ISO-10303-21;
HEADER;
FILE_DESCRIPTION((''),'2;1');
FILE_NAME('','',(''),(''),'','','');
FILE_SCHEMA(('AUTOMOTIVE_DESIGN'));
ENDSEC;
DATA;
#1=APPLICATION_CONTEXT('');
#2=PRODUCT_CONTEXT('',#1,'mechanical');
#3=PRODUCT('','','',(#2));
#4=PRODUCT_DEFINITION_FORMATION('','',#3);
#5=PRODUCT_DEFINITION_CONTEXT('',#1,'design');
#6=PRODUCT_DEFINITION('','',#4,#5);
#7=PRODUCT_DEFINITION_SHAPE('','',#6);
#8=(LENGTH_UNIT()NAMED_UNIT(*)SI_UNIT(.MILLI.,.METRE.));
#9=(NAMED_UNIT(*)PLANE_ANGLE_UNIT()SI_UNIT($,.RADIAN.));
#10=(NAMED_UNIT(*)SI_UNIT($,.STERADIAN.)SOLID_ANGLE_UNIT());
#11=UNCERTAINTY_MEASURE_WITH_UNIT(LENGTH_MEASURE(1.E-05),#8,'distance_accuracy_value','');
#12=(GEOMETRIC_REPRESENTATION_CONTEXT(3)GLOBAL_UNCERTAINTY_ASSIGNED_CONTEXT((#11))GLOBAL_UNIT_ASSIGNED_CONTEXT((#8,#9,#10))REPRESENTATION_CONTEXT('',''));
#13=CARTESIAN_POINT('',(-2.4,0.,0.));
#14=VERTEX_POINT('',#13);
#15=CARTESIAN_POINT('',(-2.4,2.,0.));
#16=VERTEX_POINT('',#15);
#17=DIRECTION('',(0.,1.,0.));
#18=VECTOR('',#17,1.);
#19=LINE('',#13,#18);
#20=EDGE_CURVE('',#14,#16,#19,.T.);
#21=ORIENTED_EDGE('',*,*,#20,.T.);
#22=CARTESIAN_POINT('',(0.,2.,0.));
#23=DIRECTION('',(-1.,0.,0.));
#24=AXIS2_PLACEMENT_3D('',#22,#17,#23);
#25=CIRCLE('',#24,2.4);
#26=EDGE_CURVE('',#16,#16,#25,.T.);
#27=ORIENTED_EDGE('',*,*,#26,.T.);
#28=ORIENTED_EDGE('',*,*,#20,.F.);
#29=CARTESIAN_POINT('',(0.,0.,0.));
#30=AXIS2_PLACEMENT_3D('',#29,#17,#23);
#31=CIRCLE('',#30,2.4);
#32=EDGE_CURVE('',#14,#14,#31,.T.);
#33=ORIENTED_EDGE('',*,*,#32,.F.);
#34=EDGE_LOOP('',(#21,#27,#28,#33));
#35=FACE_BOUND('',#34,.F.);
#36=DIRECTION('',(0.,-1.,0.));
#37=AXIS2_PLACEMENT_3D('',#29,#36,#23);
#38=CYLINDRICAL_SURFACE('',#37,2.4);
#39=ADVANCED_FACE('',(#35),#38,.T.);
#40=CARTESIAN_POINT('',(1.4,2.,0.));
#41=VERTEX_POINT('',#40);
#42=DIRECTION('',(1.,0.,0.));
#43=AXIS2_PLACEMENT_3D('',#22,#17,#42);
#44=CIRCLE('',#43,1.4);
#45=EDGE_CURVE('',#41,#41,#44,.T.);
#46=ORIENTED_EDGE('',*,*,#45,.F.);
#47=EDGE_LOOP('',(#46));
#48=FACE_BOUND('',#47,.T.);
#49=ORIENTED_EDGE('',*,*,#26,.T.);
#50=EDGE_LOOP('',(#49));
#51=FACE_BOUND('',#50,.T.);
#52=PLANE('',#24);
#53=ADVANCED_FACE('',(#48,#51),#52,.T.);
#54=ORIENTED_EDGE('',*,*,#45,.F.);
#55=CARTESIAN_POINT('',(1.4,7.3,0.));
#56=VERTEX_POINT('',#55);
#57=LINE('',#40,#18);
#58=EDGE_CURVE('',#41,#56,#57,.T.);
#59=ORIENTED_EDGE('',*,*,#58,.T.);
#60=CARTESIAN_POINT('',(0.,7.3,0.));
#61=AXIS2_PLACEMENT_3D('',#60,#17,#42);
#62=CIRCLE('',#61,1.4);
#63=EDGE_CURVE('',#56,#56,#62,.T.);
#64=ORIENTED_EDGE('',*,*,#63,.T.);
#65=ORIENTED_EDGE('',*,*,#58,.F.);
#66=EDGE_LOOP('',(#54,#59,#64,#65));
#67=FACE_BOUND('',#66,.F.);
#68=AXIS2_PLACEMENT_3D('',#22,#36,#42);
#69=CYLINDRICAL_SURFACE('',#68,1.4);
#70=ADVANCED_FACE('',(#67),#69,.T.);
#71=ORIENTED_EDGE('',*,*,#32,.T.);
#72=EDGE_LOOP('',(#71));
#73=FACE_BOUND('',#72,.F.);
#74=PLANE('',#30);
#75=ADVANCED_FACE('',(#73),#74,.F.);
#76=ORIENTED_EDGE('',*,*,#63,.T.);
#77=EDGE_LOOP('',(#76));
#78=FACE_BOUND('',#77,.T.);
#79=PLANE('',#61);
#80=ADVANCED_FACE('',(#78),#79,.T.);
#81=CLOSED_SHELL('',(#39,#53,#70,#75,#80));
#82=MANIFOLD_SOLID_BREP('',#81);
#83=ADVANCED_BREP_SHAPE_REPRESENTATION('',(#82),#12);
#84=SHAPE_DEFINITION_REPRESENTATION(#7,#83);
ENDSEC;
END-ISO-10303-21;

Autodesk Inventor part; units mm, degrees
ref_plane "YZ Plane" through (0, 0, 0) normal (1, 0, 0) x (0, 1, 0)
ref_plane "XZ Plane" through (0, 0, 0) normal (0, 1, 0) x (-1, 0, 0)
ref_plane "XY Plane" through (0, 0, 0) normal (0, 0, 1) x (1, 0, 0)
sketch "Sketch1" plane through (0, 0, 0) normal (0, 1, 0) x (-1, 0, 0)
  circle A0 centre (0, 0) radius 2.4
  dimension "d0" = 4.8
extrude "Extrusion1" add sketch "Sketch1" along normal blind 2
sketch "Sketch2" plane through (0, 2, 0) normal (0, 1, 0) x (1, 0, 0)
  circle A0 centre (0, 0) radius 1.4
  dimension "d3" = 2.8
extrude "Extrusion2" add sketch "Sketch2" along normal blind 5.3
properties part number "Pin"
